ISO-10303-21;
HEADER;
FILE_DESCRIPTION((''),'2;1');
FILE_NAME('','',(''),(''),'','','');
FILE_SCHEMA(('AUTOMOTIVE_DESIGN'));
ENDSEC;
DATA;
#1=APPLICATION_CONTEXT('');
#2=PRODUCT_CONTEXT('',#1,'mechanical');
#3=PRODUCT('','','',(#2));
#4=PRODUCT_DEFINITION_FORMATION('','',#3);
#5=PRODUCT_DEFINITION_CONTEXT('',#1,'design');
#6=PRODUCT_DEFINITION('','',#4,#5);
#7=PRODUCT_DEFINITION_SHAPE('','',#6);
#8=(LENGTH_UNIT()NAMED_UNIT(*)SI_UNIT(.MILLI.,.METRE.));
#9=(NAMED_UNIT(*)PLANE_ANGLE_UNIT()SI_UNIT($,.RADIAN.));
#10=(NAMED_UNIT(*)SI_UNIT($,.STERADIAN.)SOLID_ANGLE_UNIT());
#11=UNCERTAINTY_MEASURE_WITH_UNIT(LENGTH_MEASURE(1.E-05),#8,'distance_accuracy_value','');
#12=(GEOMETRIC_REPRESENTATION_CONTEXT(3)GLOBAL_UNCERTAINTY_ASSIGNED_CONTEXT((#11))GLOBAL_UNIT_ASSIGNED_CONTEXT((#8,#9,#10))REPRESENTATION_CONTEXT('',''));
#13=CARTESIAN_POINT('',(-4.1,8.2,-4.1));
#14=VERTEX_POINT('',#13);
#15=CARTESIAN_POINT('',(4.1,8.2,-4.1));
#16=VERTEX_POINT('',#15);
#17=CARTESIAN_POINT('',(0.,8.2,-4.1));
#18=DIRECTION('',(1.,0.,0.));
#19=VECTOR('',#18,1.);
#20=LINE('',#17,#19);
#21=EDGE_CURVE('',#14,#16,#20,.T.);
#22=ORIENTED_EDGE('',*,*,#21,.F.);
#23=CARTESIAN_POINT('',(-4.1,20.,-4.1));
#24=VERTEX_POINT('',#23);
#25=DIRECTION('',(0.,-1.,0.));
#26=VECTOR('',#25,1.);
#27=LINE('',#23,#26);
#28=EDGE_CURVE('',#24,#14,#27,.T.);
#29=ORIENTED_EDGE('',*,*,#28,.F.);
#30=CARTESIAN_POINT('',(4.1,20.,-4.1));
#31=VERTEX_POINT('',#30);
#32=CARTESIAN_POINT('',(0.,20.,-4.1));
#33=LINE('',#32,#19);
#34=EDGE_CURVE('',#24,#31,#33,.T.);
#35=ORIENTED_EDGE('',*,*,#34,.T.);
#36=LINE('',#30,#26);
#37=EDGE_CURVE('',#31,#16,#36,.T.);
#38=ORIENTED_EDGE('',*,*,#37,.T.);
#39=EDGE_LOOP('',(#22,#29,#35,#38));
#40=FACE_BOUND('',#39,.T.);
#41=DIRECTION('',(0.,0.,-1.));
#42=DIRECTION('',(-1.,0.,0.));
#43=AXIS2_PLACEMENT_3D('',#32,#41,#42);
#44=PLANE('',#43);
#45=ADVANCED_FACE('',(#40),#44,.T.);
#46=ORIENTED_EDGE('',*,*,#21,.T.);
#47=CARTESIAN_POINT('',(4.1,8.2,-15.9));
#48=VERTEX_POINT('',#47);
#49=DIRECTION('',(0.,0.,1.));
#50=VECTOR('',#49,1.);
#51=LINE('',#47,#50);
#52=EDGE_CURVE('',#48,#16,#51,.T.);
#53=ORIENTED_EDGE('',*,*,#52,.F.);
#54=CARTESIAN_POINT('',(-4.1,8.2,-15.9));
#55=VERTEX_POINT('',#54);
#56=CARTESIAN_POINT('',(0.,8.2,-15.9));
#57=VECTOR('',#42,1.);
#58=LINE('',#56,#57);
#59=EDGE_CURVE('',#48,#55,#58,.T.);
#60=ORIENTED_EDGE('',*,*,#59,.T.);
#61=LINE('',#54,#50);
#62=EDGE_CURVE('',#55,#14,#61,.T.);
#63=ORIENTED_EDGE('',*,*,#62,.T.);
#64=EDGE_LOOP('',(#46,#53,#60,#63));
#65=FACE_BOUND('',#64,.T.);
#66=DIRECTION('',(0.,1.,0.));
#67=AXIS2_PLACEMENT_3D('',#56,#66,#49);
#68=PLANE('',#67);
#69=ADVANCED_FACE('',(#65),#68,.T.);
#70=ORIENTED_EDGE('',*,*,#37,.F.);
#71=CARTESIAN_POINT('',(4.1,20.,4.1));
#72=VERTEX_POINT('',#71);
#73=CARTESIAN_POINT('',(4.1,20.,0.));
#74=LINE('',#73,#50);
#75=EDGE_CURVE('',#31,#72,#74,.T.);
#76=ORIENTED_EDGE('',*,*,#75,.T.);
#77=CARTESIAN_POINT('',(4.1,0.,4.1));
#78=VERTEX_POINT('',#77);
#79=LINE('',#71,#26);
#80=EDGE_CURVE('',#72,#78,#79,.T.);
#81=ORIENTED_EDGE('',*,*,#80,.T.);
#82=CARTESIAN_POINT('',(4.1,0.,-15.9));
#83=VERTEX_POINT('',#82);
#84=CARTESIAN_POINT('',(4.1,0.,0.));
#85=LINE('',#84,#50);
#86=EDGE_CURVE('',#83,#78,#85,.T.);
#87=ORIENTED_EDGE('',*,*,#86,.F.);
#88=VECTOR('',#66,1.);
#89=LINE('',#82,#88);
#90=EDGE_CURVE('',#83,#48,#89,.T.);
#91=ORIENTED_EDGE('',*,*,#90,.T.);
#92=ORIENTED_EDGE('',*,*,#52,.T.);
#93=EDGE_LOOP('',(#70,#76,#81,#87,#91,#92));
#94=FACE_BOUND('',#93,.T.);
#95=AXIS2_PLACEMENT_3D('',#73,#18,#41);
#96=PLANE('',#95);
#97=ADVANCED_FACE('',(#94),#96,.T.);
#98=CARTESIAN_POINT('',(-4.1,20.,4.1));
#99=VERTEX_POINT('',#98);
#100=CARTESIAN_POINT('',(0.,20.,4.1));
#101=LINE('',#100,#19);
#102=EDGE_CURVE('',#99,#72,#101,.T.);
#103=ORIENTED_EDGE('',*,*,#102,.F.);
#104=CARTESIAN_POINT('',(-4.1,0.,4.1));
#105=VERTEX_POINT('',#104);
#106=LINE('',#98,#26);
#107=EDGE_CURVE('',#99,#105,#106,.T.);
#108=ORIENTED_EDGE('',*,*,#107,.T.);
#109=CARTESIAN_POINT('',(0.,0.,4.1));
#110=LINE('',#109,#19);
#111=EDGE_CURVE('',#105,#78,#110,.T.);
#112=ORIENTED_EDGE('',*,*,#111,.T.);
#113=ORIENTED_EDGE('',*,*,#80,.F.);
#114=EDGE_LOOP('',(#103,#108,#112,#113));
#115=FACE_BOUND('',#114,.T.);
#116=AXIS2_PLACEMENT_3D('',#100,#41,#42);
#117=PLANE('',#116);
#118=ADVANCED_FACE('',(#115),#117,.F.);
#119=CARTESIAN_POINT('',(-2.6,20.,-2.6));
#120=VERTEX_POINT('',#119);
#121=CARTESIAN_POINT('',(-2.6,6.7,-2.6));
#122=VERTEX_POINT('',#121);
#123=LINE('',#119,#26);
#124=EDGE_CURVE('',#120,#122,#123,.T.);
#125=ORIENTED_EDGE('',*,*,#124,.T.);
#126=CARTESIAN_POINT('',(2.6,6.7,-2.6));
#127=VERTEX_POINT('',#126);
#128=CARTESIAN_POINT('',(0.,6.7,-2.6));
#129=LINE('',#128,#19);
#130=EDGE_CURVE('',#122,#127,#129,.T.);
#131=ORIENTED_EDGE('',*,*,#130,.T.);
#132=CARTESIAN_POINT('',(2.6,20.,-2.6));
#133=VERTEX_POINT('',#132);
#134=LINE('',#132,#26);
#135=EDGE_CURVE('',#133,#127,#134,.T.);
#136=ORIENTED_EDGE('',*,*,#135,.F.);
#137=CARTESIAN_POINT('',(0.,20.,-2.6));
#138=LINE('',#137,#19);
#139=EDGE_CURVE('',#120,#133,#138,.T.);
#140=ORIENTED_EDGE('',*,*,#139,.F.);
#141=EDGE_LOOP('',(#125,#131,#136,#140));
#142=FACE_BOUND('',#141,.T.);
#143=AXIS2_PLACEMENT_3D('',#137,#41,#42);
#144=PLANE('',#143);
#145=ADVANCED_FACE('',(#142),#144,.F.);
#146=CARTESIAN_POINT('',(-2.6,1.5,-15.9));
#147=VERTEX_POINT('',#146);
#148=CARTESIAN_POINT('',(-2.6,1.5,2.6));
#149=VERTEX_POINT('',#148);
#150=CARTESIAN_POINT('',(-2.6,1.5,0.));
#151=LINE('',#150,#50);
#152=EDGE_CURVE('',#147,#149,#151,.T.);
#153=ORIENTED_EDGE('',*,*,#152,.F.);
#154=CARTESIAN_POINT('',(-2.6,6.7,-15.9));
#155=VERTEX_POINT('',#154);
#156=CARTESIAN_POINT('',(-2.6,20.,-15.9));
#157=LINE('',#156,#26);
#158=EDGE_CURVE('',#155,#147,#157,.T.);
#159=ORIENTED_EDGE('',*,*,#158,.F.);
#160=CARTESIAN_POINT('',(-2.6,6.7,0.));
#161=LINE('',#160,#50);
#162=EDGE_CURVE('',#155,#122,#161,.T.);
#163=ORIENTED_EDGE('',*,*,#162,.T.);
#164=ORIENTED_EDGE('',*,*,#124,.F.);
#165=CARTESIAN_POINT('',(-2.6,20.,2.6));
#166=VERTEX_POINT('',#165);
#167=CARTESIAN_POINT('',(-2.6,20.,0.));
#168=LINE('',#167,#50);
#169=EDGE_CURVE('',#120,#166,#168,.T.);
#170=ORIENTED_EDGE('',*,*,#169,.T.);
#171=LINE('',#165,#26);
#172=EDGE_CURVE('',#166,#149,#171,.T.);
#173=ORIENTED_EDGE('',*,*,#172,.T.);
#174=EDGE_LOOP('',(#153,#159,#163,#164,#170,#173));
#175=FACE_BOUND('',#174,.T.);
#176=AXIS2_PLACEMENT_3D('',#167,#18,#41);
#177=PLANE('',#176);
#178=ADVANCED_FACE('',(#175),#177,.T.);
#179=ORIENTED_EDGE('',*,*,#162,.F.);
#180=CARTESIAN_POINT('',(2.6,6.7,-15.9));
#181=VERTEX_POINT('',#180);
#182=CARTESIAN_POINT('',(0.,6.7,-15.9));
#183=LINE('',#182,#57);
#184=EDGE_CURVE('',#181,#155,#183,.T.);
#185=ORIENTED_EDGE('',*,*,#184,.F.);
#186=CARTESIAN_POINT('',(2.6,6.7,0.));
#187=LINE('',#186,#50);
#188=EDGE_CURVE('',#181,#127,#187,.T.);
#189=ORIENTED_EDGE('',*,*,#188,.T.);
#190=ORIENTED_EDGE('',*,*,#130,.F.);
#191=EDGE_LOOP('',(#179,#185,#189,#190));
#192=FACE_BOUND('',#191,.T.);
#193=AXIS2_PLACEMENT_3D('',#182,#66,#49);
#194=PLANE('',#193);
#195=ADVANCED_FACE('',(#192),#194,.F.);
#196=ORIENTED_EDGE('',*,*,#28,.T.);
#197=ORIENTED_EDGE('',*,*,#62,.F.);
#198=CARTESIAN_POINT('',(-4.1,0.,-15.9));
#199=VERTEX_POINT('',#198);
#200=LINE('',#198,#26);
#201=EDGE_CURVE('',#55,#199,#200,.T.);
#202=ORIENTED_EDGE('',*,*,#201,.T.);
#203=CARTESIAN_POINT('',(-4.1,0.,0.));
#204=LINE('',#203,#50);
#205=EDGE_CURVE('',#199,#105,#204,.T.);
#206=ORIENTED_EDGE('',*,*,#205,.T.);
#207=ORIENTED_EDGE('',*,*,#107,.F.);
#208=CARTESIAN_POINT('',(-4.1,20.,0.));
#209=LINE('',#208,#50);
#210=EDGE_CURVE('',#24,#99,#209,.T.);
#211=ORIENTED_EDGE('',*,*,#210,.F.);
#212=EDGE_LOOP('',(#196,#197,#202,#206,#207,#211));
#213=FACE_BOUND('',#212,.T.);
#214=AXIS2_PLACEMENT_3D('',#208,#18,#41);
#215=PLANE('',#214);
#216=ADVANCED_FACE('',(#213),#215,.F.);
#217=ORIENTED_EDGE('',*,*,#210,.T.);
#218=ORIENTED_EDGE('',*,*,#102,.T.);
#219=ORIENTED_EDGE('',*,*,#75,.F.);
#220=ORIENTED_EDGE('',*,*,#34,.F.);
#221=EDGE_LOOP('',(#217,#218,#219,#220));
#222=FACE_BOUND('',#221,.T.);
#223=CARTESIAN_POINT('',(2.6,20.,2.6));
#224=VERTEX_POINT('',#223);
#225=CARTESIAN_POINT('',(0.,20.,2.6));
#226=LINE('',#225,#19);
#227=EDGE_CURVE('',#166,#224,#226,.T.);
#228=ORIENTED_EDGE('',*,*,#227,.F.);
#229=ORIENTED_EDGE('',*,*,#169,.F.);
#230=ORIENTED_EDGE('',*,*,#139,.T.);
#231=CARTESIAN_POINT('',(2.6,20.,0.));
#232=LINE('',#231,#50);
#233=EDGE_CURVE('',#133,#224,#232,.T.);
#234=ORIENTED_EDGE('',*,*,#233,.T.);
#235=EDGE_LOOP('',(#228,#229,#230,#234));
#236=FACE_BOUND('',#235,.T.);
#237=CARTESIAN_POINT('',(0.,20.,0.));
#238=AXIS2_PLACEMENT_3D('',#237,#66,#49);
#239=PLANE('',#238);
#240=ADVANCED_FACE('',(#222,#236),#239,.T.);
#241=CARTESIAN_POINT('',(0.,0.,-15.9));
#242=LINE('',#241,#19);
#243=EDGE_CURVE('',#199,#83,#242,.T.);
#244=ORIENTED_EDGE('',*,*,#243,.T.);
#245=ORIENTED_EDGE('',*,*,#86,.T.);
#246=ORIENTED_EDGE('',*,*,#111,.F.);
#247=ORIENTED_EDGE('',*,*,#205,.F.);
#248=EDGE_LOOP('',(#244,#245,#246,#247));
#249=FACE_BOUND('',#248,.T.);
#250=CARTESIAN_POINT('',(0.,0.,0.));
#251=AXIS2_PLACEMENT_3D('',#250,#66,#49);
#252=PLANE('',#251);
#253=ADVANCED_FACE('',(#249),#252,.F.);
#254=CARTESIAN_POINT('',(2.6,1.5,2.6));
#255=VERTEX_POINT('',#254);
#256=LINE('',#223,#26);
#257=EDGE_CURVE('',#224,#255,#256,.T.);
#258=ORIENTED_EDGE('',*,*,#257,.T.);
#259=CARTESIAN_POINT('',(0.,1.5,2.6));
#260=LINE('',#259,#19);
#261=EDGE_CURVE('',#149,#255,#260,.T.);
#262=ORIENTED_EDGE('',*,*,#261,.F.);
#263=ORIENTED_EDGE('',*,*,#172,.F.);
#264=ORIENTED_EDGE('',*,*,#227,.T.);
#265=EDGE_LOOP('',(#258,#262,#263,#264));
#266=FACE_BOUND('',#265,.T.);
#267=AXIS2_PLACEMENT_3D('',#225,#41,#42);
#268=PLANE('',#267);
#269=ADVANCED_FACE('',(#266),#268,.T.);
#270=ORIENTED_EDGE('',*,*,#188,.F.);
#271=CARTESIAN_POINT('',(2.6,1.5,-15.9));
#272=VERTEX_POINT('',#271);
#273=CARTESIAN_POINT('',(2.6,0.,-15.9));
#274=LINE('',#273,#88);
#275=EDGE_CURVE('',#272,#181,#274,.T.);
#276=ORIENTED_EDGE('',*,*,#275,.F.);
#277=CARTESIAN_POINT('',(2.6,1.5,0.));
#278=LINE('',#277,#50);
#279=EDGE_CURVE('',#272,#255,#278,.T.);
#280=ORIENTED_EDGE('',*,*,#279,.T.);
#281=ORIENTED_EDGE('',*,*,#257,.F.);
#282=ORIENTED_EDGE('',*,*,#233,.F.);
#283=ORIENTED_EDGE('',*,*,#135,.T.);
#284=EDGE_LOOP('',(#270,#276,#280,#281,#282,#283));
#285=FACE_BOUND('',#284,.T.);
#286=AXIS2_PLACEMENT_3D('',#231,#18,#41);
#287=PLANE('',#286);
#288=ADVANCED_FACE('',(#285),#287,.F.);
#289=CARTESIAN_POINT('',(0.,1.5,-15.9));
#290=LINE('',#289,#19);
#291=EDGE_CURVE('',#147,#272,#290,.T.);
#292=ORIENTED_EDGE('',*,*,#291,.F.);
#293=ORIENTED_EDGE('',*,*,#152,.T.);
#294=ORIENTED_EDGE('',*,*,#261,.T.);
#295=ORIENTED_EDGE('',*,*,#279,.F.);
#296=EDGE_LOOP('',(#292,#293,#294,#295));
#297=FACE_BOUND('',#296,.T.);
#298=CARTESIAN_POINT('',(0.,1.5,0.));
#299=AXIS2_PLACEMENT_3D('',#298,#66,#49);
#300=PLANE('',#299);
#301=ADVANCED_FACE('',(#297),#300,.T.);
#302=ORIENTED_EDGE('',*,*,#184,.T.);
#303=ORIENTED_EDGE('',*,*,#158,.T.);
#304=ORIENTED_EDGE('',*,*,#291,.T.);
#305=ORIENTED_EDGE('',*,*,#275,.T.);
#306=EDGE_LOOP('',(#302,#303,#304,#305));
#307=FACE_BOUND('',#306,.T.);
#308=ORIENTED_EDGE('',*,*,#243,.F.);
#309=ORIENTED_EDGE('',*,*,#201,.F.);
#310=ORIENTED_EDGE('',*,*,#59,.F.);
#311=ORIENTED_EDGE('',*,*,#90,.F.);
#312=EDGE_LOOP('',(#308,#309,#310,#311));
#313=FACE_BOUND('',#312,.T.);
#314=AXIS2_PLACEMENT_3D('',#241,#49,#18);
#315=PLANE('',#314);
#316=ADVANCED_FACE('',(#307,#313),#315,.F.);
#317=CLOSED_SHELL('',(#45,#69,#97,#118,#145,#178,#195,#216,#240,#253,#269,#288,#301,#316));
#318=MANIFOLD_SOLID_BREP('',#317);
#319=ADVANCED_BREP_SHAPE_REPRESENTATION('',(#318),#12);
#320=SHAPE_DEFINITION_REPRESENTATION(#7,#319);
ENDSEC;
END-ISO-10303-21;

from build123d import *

# Parameters (mm, degrees)
SKETCH1_W           = 8.2
SKETCH1_H           = 8.2
SKETCH1_W_2         = 5.2
SKETCH1_H_2         = 5.2
BOSS_EXTRUDE1_DEPTH = 20
SKETCH2_W           = 8.2
SKETCH2_H           = 8.2
BOSS_EXTRUDE2_DEPTH = 20
SHELL1_T            = -1.5


with BuildPart() as part:
    # Sketch1 → Boss-Extrude1 (new body)
    # profile 1 of 2: a face of its own
    with BuildSketch(Plane(origin=(0, 0, 0), x_dir=(1, 0, 0), z_dir=(0, 1, 0))):
        Rectangle(SKETCH1_W, SKETCH1_H)
        Rectangle(SKETCH1_W_2, SKETCH1_H_2, mode=Mode.SUBTRACT)
    # profile 2 of 2: a face of its own
    with BuildSketch(Plane(origin=(0, 0, 0), x_dir=(1, 0, 0), z_dir=(0, 1, 0))):
        Rectangle(SKETCH1_W_2, SKETCH1_H_2)
    extrude(amount=BOSS_EXTRUDE1_DEPTH)

    # Sketch2 → Boss-Extrude2 (add)
    with BuildSketch(Plane(origin=(0, 0, 4.1), x_dir=(-1, 0, 0), z_dir=(0, 0, -1))):
        with Locations((0, 4.1)):
            Rectangle(SKETCH2_W, SKETCH2_H)
    extrude(amount=BOSS_EXTRUDE2_DEPTH)

    # Shell1
    shell1_openings = [part.faces().sort_by_distance(p)[0] for p in [
        (0, 20, 0),
        (0, 4.1, -15.9),
    ]]
    offset(amount=SHELL1_T, openings=shell1_openings, kind=Kind.INTERSECTION)


solid = part.part
